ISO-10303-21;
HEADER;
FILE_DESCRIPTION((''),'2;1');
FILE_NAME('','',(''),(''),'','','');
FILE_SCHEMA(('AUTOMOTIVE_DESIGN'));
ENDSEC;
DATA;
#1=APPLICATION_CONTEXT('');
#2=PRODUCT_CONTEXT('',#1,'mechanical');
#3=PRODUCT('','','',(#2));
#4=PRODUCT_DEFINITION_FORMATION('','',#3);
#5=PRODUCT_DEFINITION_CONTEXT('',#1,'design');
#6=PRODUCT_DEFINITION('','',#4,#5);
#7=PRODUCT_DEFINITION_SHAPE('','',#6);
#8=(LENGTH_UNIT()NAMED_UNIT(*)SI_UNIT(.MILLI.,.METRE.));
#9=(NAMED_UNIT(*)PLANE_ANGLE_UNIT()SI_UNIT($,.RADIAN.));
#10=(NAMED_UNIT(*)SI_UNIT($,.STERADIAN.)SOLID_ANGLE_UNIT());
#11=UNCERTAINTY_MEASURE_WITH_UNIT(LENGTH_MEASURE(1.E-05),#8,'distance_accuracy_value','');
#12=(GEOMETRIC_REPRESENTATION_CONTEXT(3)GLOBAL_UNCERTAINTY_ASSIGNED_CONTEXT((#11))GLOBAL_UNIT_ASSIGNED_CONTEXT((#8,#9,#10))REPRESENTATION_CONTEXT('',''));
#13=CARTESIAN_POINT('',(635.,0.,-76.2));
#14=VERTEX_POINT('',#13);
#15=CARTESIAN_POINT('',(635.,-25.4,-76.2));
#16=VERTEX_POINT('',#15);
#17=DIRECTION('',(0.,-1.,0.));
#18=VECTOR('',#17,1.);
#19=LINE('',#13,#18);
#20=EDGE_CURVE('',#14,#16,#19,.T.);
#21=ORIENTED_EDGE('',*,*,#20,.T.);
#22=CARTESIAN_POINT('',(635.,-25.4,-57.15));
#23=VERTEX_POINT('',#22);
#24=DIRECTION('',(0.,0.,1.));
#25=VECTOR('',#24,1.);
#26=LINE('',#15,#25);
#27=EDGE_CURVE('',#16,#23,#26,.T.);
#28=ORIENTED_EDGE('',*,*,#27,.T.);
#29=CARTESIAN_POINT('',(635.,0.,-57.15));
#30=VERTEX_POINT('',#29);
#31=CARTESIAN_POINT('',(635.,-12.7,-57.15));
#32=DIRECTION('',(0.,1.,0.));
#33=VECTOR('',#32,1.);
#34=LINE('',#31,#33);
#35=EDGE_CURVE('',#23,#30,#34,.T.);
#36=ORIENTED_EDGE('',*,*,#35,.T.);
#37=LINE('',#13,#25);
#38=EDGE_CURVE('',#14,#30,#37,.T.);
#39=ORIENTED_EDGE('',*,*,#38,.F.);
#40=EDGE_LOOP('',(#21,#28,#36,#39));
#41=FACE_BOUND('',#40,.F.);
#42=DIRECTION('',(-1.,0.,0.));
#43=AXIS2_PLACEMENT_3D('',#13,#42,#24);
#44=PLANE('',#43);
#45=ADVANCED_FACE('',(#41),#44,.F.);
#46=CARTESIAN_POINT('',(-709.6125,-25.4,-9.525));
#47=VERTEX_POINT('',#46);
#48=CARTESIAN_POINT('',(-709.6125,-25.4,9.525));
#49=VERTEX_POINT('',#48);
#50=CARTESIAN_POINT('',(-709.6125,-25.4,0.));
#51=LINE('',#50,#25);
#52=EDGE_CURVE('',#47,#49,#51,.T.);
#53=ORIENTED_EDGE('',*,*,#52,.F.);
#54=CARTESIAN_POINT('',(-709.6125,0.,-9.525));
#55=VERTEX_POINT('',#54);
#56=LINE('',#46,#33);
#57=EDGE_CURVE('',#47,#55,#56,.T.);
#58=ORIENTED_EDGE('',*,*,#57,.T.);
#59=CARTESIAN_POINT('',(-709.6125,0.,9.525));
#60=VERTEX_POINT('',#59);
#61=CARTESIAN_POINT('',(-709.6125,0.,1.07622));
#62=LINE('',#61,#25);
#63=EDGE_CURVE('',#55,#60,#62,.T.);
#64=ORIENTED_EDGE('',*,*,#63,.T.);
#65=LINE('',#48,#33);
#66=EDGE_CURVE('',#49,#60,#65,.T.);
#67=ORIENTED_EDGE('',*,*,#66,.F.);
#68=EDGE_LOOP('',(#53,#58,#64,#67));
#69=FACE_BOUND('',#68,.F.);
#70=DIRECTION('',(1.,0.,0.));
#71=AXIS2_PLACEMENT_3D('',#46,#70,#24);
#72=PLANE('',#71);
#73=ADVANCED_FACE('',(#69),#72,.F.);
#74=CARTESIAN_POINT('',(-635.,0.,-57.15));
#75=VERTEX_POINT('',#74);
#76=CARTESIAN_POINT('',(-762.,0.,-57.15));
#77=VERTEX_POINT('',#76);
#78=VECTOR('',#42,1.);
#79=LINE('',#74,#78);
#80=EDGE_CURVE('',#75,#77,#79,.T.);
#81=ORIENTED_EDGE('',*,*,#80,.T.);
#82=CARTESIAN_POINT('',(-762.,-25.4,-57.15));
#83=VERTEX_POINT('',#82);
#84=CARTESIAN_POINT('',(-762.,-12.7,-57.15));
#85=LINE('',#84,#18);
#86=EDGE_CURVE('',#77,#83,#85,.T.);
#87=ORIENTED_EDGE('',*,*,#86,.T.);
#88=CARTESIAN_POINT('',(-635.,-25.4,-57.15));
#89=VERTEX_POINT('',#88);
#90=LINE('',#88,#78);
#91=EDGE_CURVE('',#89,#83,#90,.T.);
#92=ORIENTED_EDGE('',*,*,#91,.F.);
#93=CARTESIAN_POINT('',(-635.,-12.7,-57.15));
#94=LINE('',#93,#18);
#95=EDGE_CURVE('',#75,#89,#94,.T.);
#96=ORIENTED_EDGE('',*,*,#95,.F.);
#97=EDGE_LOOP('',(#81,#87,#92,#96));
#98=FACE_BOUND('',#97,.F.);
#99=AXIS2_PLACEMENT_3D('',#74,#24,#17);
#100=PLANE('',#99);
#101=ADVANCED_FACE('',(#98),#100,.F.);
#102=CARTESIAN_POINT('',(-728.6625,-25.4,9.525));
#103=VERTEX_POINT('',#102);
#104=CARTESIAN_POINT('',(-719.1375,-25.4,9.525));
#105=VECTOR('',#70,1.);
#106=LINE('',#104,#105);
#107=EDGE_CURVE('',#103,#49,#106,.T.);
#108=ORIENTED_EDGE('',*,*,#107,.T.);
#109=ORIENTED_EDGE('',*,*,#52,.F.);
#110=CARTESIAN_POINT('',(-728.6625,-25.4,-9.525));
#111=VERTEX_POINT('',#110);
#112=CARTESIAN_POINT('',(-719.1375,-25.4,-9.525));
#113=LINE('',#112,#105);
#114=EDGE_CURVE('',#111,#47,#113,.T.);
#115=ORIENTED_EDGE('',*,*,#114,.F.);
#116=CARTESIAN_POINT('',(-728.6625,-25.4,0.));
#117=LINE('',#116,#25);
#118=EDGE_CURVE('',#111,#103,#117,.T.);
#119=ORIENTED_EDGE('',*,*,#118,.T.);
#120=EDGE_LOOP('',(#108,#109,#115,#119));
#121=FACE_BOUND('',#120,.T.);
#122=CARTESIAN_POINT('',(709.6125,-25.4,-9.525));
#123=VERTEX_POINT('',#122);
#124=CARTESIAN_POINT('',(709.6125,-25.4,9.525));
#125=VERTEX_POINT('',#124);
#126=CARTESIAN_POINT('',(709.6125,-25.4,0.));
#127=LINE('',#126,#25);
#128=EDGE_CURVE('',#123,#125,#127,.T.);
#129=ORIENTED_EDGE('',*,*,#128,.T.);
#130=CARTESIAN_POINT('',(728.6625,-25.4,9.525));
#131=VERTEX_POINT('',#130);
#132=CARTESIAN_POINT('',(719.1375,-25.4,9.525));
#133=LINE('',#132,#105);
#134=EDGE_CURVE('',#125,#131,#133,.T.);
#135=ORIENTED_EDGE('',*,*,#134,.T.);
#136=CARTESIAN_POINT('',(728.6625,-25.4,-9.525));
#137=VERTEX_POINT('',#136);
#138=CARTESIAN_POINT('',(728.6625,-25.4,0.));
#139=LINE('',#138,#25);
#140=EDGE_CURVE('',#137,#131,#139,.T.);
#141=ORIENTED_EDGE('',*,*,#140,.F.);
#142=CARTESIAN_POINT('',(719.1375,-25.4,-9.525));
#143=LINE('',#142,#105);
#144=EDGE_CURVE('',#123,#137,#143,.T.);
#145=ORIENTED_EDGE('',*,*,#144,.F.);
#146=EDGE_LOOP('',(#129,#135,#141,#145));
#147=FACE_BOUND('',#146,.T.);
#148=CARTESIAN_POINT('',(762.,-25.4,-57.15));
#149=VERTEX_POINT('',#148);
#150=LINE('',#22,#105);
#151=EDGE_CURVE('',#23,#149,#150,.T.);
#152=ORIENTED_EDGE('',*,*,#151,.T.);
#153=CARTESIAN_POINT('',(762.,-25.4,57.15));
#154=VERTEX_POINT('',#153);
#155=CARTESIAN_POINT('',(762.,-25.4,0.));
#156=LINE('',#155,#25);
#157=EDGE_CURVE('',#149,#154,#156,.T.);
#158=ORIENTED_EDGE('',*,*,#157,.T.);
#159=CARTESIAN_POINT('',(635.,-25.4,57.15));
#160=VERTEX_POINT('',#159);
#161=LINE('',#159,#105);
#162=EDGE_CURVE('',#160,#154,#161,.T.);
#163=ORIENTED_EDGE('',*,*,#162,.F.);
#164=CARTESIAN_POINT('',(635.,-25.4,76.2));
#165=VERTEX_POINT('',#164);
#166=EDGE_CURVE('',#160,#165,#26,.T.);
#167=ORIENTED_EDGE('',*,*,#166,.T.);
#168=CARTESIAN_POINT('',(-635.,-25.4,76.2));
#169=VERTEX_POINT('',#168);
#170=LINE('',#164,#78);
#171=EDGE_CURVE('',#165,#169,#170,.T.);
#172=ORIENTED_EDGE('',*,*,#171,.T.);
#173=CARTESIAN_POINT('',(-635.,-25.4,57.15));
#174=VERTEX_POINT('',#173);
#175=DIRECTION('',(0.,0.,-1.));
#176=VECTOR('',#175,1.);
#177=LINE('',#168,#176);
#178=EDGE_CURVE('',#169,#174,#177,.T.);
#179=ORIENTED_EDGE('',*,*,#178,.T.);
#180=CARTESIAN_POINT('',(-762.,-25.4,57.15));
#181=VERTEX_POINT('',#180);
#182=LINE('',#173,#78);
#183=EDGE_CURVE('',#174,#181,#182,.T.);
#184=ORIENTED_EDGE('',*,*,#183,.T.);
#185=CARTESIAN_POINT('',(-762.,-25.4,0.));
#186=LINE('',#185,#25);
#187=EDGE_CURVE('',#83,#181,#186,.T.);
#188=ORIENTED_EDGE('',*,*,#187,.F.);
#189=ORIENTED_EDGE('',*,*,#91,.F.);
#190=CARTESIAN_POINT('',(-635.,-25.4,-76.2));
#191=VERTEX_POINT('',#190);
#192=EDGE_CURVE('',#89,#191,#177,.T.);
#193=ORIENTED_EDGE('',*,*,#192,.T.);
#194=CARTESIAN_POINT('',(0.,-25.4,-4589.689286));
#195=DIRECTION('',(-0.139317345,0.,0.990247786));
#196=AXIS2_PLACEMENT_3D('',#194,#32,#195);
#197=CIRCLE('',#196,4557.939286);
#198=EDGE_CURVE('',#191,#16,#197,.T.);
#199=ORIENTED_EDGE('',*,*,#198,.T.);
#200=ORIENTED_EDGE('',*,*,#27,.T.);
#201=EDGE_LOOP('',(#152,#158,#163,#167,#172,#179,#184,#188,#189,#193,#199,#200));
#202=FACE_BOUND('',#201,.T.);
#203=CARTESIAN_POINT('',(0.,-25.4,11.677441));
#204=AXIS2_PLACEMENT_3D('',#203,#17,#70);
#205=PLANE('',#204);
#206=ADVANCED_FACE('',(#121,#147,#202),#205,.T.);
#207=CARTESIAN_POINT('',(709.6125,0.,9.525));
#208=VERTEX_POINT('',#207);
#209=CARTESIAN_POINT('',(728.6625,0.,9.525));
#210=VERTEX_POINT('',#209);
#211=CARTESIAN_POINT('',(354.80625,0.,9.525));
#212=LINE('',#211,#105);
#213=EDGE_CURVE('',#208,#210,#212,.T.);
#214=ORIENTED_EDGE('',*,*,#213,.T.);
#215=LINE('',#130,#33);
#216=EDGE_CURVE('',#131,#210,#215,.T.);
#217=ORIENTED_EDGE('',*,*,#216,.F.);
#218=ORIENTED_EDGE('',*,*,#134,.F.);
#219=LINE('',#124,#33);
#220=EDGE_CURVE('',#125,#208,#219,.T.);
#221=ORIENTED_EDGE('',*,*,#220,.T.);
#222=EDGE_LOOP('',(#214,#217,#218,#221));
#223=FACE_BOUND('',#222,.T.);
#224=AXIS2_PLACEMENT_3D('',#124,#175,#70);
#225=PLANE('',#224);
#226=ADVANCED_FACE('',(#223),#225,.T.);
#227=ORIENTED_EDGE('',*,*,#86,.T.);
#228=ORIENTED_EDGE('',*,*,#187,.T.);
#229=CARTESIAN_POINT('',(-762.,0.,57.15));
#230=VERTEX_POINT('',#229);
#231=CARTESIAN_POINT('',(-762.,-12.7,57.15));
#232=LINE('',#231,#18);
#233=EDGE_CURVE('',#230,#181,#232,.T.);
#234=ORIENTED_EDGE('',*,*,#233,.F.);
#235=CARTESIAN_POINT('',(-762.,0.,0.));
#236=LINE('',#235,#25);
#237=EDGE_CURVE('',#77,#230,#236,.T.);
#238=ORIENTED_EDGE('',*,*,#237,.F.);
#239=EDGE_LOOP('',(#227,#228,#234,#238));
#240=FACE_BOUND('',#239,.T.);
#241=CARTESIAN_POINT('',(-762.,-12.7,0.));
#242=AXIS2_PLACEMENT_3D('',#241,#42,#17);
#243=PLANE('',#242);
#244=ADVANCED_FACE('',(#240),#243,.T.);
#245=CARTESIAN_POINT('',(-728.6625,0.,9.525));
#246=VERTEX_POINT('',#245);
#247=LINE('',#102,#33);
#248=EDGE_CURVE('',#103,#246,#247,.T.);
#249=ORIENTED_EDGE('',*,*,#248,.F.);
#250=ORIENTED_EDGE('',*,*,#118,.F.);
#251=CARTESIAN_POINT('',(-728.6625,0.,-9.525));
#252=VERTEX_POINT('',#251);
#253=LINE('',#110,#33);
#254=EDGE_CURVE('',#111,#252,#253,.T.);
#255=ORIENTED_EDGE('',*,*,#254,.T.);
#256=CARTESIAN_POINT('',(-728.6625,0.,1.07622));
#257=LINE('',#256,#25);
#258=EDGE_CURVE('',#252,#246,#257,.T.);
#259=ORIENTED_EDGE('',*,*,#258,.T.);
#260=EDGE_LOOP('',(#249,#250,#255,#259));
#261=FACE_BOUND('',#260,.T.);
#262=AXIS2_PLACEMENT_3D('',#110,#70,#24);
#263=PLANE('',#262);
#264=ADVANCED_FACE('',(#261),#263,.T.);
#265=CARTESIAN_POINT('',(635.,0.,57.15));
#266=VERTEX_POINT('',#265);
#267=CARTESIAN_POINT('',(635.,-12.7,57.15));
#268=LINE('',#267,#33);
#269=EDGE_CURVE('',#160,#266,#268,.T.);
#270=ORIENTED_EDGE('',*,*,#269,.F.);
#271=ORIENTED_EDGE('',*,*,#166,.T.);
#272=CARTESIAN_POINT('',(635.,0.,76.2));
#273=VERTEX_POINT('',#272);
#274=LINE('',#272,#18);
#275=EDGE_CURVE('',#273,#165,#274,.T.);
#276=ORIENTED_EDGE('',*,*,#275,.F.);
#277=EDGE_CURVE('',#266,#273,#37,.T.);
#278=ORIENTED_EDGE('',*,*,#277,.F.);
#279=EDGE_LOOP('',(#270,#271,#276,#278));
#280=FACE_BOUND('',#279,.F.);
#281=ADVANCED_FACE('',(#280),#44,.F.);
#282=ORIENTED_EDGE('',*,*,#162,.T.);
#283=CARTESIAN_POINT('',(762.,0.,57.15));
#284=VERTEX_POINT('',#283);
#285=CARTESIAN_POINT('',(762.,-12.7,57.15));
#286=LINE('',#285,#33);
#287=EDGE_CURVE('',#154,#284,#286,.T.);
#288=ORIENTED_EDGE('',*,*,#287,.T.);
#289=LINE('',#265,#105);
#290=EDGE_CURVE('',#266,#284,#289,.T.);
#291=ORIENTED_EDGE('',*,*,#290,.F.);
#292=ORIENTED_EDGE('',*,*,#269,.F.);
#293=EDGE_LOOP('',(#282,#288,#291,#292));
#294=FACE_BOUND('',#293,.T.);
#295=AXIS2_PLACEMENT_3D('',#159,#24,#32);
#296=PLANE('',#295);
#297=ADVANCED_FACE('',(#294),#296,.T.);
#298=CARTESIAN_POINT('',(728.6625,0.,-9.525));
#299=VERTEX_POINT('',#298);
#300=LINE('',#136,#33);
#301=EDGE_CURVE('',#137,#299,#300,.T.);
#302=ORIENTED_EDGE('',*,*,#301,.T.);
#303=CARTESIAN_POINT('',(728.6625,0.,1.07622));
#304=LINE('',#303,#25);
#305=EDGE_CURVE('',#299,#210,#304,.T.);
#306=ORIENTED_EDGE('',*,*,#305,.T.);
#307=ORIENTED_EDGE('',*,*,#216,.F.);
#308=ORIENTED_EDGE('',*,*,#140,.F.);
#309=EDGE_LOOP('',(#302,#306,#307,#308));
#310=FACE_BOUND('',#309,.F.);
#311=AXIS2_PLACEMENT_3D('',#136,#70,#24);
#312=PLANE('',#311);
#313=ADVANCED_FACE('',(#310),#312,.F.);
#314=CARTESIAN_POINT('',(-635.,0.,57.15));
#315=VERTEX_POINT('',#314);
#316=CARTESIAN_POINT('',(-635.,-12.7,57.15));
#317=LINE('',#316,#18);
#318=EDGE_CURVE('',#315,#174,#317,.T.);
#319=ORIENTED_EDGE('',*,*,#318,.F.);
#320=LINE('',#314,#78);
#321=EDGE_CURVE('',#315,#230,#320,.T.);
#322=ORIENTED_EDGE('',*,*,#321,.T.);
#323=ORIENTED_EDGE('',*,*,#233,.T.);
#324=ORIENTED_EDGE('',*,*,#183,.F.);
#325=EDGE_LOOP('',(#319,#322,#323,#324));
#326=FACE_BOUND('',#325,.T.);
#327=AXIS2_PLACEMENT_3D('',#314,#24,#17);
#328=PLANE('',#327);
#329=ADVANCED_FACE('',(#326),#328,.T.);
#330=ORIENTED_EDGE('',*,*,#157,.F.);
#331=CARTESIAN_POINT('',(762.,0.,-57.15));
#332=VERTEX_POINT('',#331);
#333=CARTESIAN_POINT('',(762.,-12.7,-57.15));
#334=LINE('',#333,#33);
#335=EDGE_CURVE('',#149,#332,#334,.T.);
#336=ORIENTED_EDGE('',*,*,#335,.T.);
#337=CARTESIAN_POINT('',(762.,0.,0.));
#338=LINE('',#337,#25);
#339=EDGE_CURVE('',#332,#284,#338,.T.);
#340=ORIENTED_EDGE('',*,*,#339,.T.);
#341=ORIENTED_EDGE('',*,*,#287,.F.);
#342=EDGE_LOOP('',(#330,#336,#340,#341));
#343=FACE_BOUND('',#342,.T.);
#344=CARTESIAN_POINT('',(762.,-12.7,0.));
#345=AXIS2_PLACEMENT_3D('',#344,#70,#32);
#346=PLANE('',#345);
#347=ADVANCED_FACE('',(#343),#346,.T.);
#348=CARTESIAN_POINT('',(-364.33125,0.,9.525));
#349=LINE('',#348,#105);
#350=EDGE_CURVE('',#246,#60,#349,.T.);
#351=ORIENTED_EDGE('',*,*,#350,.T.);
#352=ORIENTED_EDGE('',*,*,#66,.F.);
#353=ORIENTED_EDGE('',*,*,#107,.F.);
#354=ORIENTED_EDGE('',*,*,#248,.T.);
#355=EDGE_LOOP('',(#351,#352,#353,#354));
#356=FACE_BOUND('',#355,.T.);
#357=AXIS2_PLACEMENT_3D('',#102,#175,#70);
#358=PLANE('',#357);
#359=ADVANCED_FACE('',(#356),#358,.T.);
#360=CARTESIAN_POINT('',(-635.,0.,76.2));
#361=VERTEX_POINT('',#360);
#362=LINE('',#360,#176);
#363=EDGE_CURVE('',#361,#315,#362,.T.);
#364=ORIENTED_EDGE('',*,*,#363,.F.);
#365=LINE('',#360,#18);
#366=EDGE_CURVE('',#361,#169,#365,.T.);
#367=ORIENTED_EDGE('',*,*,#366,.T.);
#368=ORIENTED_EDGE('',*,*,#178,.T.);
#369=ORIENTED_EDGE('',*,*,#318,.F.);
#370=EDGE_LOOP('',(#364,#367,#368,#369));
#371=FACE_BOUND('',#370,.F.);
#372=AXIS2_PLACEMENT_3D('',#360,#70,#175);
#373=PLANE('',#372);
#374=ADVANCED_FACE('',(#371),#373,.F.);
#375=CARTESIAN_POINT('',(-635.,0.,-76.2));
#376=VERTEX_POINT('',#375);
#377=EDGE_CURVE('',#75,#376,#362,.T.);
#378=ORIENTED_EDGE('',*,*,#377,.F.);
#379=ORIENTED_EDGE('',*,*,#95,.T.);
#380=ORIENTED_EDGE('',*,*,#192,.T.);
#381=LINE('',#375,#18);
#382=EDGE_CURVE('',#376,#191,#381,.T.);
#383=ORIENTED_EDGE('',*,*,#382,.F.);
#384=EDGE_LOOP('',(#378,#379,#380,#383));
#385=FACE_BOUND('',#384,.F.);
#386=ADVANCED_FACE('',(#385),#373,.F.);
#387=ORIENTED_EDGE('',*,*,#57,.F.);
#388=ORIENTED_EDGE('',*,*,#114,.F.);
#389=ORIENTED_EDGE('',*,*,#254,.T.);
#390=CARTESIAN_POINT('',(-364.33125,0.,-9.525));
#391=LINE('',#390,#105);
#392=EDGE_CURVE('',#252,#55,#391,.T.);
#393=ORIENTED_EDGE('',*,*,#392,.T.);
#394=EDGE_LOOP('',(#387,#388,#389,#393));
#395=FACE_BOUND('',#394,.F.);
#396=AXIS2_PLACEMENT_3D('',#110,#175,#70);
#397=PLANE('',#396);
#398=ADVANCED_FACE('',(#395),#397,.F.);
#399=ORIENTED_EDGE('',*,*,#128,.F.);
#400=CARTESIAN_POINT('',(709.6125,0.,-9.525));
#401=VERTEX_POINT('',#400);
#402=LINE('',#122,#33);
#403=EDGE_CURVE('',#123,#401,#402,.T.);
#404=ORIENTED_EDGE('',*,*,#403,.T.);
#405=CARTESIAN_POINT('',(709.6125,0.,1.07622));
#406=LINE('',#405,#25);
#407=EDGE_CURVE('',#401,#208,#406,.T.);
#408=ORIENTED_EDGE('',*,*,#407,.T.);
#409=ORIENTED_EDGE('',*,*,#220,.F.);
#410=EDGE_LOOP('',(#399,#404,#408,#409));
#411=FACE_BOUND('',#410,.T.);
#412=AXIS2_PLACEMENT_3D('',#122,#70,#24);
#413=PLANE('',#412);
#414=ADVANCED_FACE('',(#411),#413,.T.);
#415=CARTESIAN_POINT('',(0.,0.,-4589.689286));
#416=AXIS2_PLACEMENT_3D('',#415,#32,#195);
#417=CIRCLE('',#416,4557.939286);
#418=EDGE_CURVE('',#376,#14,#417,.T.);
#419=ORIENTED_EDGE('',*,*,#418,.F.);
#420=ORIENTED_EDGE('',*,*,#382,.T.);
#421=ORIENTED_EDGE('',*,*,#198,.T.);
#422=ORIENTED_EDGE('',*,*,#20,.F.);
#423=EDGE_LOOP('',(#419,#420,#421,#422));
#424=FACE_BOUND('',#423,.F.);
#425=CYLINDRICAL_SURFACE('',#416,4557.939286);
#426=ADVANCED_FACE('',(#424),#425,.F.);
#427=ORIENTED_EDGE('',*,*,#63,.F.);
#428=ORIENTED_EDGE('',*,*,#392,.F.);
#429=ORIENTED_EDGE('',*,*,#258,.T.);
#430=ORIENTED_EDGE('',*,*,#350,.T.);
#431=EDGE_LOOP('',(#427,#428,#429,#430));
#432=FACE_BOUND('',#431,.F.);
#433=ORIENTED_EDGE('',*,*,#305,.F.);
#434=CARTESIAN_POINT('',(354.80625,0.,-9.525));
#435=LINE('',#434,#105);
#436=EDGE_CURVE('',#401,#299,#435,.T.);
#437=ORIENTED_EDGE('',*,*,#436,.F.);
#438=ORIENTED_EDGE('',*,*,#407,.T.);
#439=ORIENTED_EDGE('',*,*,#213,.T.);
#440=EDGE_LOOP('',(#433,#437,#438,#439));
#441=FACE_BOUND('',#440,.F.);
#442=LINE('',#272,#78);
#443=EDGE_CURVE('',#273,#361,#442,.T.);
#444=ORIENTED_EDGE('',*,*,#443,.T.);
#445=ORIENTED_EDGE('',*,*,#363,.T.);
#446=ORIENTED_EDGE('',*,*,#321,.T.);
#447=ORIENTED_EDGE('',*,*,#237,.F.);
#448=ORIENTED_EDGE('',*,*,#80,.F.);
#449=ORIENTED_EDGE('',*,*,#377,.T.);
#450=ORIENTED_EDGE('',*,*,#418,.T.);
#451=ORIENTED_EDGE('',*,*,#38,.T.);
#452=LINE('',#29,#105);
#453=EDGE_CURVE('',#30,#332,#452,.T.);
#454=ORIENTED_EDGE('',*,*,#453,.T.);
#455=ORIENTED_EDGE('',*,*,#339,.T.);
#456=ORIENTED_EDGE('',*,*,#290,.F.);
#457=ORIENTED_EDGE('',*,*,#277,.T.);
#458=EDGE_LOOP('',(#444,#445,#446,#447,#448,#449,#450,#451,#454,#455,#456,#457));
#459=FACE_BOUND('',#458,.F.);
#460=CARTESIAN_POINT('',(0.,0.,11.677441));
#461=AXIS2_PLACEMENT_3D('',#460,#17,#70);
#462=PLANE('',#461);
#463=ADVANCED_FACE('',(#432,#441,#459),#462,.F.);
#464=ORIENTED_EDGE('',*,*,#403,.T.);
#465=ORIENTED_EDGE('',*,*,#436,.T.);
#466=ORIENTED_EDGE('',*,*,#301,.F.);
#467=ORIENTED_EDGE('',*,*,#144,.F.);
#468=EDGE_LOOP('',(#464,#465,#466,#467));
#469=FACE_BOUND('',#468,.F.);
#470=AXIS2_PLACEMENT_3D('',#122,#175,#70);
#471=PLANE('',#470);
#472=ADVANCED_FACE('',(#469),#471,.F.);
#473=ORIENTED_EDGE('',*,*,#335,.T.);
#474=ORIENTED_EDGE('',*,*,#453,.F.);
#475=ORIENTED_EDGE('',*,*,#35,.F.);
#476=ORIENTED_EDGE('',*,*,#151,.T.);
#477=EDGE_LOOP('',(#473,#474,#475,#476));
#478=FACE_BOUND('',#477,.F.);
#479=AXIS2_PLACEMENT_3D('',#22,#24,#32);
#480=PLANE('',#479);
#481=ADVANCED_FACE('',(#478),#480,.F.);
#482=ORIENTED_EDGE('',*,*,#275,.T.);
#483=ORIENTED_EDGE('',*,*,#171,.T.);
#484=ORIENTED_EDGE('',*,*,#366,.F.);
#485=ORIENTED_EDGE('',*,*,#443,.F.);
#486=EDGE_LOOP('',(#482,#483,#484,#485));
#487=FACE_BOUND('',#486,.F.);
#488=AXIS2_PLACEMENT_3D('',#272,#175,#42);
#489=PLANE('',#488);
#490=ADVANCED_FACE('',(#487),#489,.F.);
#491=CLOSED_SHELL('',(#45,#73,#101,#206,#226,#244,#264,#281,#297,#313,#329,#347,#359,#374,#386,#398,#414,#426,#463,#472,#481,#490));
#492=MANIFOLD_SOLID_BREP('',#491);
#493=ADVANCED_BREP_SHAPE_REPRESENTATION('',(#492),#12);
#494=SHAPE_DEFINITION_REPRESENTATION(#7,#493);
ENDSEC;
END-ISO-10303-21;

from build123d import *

# Parameters (mm, degrees)
F1_DEPTH = 25.4
F2_W     = 25.4
F2_H     = 114.3
F3_DEPTH = 127
F4_W     = 25.4
F4_H     = 114.3
F5_DEPTH = 127
F6_W     = 19.05
F6_H     = 19.05
F7_DEPTH = 25.401


with BuildPart() as f1:
    # F0 (on Front) → F1 (new body)
    with BuildSketch(Plane.XZ):
        with BuildLine():
            Line((635, -76.2), (635, 76.2))
            Line((635, 76.2), (-635, 76.2))
            Line((-635, 76.2), (-635, -76.2))
            ThreePointArc((-635, -76.2), (0, -31.75), (635, -76.2))
        make_face()
    extrude(amount=F1_DEPTH)

    # F2 (on face) → F3 (join)
    with BuildSketch(Plane(origin=(-635, 0, 0), x_dir=(0, -1, 0), z_dir=(-1, 0, 0))):
        with Locations((12.7, 0)):
            Rectangle(F2_W, F2_H)
    extrude(amount=F3_DEPTH)

    # F4 (on face) → F5 (join)
    with BuildSketch(Plane.YZ.offset(635)):
        with Locations((-12.7, 0)):
            Rectangle(F4_W, F4_H)
    extrude(amount=F5_DEPTH)

    # F6 (on face) → F7 (cut, through all)
    with BuildSketch(Plane.XZ.offset(25.4)):
        with Locations((-719.1375, 0)):
            Rectangle(F6_W, F6_H)
        with Locations((719.1375, 0)):
            Rectangle(F6_W, F6_H)
    extrude(amount=-F7_DEPTH, mode=Mode.SUBTRACT)


solid = f1.part
